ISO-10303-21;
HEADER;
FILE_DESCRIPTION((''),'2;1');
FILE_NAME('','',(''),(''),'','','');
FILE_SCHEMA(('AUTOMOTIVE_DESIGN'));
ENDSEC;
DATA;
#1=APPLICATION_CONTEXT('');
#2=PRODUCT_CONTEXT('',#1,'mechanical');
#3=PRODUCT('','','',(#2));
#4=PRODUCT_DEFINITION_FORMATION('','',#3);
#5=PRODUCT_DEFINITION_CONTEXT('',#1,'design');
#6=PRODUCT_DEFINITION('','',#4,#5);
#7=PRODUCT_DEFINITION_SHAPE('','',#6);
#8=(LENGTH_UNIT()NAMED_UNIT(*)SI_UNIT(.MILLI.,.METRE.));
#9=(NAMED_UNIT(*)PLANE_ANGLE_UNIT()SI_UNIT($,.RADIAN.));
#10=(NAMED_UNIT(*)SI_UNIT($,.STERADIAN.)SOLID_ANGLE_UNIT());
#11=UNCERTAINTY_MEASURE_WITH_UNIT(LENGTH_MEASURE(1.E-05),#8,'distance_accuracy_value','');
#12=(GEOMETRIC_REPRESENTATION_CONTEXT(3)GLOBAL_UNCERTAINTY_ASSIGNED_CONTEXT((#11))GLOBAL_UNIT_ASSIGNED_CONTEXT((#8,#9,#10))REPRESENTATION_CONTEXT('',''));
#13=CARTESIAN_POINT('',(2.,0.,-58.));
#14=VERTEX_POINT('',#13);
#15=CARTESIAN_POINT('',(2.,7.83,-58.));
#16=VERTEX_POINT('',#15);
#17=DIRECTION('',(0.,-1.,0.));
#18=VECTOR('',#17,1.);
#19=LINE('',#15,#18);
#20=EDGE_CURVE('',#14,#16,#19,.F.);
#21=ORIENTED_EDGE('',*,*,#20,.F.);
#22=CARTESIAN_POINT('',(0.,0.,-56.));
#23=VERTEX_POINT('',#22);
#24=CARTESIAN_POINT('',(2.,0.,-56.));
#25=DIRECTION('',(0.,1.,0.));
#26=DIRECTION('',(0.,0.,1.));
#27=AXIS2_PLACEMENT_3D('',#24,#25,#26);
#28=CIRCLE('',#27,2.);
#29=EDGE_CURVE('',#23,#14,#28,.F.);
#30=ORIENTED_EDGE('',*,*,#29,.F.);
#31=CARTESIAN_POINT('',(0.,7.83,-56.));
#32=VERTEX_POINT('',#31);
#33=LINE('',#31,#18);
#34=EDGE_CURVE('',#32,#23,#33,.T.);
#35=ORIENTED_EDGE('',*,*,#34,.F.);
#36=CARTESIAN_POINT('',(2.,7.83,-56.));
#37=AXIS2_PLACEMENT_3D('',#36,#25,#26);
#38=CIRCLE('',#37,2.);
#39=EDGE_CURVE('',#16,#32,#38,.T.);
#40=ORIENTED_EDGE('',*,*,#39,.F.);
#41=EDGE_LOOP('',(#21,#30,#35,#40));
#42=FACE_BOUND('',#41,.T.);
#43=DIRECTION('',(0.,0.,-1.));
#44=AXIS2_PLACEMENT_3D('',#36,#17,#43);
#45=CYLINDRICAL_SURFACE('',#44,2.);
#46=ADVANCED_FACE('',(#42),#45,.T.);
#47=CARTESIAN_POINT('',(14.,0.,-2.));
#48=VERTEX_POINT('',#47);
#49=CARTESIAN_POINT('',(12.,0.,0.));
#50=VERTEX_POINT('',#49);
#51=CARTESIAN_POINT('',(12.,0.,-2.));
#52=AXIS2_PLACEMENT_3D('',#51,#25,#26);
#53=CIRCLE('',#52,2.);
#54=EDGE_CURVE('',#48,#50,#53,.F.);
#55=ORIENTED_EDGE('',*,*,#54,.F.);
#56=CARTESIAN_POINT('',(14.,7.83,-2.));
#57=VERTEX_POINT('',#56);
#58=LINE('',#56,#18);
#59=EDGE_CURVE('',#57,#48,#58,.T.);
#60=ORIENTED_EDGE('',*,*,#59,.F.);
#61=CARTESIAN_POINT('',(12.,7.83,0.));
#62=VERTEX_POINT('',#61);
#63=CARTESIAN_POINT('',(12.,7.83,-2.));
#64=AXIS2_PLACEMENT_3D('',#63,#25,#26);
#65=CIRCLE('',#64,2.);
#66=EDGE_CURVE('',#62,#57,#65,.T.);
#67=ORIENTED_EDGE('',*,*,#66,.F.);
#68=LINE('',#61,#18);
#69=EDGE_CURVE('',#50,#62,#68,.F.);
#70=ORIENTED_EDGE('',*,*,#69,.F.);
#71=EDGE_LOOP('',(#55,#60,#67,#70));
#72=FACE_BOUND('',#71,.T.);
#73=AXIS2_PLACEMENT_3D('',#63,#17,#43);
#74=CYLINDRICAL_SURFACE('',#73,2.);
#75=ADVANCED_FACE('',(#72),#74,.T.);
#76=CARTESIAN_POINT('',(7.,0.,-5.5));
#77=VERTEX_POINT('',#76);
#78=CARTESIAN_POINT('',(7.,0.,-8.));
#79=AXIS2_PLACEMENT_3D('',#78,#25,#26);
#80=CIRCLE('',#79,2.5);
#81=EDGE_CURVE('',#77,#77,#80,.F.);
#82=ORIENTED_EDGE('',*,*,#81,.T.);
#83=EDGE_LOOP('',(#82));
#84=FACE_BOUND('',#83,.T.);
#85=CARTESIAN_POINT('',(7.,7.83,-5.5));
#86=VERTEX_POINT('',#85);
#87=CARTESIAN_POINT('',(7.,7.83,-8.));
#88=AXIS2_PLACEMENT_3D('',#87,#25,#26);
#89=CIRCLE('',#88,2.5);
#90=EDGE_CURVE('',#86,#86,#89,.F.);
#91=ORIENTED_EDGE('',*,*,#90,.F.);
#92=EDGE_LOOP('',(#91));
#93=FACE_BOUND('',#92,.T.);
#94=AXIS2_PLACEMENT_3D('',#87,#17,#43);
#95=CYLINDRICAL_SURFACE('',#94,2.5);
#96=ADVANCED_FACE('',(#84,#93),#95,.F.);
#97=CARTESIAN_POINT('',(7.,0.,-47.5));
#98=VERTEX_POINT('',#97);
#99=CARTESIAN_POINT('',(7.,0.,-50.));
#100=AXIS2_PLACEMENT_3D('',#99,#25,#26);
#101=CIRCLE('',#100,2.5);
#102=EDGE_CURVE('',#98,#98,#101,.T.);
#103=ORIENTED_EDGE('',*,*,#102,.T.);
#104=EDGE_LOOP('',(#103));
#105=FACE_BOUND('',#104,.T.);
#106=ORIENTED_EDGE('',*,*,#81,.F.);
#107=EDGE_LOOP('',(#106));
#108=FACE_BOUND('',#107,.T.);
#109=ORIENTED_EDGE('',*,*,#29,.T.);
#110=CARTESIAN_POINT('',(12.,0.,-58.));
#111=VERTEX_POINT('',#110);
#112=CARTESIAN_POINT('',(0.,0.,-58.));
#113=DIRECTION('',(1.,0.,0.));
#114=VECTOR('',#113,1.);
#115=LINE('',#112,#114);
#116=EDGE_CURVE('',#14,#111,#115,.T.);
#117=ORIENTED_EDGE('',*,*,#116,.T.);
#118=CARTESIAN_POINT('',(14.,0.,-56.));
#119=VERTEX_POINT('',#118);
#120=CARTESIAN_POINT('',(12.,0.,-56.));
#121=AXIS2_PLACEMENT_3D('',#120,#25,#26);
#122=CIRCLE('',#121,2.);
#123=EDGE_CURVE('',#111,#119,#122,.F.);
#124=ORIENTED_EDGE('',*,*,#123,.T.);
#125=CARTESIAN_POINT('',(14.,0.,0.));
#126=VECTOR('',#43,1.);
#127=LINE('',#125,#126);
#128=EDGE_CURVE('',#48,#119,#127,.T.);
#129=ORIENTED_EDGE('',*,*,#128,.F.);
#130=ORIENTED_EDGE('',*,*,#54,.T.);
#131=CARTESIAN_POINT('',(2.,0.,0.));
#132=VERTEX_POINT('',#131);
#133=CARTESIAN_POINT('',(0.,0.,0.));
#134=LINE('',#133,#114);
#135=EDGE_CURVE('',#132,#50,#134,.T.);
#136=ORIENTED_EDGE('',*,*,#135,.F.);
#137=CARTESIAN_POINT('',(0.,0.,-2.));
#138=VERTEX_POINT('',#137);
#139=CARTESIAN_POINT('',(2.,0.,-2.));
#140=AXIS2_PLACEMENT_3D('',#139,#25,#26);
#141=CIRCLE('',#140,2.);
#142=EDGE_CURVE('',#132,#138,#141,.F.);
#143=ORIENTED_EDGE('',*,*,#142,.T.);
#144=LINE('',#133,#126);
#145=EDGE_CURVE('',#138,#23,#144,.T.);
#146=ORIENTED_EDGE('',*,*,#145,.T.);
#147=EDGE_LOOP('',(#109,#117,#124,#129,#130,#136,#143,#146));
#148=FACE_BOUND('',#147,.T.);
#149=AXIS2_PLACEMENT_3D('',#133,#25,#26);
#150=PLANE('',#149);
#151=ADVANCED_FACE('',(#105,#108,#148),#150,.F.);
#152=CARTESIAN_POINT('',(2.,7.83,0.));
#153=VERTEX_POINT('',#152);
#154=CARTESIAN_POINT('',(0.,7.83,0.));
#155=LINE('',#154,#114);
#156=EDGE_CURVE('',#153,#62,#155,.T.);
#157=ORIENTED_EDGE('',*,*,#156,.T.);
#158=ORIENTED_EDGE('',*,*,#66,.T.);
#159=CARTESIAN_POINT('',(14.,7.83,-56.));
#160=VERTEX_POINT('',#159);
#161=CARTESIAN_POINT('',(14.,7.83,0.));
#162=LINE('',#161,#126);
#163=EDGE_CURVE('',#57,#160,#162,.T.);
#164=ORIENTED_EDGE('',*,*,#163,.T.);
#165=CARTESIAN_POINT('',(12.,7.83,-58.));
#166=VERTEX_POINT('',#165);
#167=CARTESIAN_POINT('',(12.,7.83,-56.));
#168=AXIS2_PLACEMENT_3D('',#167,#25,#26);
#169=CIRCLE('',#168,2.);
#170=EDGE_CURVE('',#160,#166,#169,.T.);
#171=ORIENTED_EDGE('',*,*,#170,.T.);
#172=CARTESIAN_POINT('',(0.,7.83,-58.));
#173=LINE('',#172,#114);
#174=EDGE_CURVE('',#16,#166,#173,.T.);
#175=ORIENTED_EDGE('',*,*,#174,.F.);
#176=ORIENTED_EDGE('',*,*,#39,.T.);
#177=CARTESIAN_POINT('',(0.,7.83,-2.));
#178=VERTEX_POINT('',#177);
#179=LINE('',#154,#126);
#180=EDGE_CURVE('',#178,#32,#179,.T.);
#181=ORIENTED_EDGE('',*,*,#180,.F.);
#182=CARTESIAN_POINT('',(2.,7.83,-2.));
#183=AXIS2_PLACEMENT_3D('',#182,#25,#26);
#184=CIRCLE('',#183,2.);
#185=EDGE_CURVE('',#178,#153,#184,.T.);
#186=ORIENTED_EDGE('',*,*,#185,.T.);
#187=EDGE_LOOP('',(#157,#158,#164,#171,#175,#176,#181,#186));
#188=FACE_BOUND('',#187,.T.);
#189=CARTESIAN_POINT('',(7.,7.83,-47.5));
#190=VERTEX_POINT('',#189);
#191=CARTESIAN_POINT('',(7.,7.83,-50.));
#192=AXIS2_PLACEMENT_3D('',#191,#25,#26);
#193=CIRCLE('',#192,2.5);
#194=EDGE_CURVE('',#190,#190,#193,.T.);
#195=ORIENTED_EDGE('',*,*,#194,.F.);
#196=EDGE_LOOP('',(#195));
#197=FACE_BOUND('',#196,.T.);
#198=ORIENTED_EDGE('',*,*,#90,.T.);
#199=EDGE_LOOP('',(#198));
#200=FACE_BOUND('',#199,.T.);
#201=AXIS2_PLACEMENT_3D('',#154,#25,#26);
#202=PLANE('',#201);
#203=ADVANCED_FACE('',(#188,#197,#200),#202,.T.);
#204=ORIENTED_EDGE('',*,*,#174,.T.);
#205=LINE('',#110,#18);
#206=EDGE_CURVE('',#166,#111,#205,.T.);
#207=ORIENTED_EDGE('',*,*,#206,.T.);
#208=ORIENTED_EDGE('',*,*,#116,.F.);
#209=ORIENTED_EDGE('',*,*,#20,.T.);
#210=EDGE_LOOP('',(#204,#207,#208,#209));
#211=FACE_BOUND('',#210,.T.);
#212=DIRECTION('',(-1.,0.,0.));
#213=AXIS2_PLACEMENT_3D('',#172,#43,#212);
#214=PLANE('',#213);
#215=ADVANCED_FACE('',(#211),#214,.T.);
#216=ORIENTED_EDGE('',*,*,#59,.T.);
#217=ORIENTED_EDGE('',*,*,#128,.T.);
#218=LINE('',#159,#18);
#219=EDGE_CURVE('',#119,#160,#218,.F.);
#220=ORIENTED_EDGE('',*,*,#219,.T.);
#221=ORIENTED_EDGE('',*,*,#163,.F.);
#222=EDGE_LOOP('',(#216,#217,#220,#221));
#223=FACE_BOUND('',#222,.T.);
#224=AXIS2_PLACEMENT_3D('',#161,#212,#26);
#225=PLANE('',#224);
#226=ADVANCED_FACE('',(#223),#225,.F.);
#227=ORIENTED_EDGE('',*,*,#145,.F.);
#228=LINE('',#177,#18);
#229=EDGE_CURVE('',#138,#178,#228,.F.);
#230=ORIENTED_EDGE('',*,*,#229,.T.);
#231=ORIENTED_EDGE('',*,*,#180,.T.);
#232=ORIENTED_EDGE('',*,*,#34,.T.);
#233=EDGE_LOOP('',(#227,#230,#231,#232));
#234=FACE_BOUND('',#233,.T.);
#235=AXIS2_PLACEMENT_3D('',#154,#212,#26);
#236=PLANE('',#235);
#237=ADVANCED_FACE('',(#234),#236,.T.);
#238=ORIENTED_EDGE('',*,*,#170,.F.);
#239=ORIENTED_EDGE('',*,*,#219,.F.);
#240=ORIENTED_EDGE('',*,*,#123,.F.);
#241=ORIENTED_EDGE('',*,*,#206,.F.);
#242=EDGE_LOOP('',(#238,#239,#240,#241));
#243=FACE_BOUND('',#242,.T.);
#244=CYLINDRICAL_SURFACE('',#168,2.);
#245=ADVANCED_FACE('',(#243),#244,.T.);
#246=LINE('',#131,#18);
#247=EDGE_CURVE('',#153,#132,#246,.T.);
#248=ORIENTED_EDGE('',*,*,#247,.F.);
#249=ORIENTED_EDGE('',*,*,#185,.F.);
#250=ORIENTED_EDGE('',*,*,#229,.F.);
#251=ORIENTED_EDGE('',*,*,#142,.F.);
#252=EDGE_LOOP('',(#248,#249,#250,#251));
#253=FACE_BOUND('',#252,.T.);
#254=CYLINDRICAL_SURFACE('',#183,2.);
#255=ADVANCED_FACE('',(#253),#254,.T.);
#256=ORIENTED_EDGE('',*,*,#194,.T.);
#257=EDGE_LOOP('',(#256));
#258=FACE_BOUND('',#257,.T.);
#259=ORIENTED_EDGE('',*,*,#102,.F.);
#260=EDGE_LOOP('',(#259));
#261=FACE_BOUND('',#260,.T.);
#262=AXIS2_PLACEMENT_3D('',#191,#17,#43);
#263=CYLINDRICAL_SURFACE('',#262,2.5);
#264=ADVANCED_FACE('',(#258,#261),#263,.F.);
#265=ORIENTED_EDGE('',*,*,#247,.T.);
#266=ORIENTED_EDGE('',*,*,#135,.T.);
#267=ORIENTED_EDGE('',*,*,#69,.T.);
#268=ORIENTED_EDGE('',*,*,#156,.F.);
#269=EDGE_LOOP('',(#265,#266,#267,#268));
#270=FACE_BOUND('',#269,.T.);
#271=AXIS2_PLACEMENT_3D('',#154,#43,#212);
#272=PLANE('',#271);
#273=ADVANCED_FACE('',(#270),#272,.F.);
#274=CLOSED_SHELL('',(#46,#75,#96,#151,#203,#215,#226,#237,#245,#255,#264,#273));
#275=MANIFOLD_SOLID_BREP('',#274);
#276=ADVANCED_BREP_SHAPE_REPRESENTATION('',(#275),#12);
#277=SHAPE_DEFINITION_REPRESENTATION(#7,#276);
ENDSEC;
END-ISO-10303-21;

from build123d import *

# Parameters (mm, degrees)
SKETCH1_W           = 14
SKETCH1_H           = 58
SKETCH1_R           = 2.5
BOSS_EXTRUDE1_DEPTH = 7.83
FILLET1_R           = 2


with BuildPart() as part:
    # Sketch1 → Boss-Extrude1 (new body)
    with BuildSketch(Plane(origin=(0, 0, 0), x_dir=(1, 0, 0), z_dir=(0, 1, 0))):
        with Locations((7, 29)):
            Rectangle(SKETCH1_W, SKETCH1_H)
        with Locations(Location((7, 50, 0), (0, 0, 270))):
            Circle(SKETCH1_R, mode=Mode.SUBTRACT)
        with Locations(Location((7, 8, 0), (0, 0, 270))):
            Circle(SKETCH1_R, mode=Mode.SUBTRACT)
    extrude(amount=BOSS_EXTRUDE1_DEPTH)

    # Fillet1
    fillet1_edges = [part.edges().sort_by_distance(p)[0] for p in [
        (0, 3.915, 0),
        (0, 3.915, -58),
        (14, 3.915, -58),
        (14, 3.915, 0),
    ]]
    fillet(fillet1_edges, radius=FILLET1_R)


solid = part.part
